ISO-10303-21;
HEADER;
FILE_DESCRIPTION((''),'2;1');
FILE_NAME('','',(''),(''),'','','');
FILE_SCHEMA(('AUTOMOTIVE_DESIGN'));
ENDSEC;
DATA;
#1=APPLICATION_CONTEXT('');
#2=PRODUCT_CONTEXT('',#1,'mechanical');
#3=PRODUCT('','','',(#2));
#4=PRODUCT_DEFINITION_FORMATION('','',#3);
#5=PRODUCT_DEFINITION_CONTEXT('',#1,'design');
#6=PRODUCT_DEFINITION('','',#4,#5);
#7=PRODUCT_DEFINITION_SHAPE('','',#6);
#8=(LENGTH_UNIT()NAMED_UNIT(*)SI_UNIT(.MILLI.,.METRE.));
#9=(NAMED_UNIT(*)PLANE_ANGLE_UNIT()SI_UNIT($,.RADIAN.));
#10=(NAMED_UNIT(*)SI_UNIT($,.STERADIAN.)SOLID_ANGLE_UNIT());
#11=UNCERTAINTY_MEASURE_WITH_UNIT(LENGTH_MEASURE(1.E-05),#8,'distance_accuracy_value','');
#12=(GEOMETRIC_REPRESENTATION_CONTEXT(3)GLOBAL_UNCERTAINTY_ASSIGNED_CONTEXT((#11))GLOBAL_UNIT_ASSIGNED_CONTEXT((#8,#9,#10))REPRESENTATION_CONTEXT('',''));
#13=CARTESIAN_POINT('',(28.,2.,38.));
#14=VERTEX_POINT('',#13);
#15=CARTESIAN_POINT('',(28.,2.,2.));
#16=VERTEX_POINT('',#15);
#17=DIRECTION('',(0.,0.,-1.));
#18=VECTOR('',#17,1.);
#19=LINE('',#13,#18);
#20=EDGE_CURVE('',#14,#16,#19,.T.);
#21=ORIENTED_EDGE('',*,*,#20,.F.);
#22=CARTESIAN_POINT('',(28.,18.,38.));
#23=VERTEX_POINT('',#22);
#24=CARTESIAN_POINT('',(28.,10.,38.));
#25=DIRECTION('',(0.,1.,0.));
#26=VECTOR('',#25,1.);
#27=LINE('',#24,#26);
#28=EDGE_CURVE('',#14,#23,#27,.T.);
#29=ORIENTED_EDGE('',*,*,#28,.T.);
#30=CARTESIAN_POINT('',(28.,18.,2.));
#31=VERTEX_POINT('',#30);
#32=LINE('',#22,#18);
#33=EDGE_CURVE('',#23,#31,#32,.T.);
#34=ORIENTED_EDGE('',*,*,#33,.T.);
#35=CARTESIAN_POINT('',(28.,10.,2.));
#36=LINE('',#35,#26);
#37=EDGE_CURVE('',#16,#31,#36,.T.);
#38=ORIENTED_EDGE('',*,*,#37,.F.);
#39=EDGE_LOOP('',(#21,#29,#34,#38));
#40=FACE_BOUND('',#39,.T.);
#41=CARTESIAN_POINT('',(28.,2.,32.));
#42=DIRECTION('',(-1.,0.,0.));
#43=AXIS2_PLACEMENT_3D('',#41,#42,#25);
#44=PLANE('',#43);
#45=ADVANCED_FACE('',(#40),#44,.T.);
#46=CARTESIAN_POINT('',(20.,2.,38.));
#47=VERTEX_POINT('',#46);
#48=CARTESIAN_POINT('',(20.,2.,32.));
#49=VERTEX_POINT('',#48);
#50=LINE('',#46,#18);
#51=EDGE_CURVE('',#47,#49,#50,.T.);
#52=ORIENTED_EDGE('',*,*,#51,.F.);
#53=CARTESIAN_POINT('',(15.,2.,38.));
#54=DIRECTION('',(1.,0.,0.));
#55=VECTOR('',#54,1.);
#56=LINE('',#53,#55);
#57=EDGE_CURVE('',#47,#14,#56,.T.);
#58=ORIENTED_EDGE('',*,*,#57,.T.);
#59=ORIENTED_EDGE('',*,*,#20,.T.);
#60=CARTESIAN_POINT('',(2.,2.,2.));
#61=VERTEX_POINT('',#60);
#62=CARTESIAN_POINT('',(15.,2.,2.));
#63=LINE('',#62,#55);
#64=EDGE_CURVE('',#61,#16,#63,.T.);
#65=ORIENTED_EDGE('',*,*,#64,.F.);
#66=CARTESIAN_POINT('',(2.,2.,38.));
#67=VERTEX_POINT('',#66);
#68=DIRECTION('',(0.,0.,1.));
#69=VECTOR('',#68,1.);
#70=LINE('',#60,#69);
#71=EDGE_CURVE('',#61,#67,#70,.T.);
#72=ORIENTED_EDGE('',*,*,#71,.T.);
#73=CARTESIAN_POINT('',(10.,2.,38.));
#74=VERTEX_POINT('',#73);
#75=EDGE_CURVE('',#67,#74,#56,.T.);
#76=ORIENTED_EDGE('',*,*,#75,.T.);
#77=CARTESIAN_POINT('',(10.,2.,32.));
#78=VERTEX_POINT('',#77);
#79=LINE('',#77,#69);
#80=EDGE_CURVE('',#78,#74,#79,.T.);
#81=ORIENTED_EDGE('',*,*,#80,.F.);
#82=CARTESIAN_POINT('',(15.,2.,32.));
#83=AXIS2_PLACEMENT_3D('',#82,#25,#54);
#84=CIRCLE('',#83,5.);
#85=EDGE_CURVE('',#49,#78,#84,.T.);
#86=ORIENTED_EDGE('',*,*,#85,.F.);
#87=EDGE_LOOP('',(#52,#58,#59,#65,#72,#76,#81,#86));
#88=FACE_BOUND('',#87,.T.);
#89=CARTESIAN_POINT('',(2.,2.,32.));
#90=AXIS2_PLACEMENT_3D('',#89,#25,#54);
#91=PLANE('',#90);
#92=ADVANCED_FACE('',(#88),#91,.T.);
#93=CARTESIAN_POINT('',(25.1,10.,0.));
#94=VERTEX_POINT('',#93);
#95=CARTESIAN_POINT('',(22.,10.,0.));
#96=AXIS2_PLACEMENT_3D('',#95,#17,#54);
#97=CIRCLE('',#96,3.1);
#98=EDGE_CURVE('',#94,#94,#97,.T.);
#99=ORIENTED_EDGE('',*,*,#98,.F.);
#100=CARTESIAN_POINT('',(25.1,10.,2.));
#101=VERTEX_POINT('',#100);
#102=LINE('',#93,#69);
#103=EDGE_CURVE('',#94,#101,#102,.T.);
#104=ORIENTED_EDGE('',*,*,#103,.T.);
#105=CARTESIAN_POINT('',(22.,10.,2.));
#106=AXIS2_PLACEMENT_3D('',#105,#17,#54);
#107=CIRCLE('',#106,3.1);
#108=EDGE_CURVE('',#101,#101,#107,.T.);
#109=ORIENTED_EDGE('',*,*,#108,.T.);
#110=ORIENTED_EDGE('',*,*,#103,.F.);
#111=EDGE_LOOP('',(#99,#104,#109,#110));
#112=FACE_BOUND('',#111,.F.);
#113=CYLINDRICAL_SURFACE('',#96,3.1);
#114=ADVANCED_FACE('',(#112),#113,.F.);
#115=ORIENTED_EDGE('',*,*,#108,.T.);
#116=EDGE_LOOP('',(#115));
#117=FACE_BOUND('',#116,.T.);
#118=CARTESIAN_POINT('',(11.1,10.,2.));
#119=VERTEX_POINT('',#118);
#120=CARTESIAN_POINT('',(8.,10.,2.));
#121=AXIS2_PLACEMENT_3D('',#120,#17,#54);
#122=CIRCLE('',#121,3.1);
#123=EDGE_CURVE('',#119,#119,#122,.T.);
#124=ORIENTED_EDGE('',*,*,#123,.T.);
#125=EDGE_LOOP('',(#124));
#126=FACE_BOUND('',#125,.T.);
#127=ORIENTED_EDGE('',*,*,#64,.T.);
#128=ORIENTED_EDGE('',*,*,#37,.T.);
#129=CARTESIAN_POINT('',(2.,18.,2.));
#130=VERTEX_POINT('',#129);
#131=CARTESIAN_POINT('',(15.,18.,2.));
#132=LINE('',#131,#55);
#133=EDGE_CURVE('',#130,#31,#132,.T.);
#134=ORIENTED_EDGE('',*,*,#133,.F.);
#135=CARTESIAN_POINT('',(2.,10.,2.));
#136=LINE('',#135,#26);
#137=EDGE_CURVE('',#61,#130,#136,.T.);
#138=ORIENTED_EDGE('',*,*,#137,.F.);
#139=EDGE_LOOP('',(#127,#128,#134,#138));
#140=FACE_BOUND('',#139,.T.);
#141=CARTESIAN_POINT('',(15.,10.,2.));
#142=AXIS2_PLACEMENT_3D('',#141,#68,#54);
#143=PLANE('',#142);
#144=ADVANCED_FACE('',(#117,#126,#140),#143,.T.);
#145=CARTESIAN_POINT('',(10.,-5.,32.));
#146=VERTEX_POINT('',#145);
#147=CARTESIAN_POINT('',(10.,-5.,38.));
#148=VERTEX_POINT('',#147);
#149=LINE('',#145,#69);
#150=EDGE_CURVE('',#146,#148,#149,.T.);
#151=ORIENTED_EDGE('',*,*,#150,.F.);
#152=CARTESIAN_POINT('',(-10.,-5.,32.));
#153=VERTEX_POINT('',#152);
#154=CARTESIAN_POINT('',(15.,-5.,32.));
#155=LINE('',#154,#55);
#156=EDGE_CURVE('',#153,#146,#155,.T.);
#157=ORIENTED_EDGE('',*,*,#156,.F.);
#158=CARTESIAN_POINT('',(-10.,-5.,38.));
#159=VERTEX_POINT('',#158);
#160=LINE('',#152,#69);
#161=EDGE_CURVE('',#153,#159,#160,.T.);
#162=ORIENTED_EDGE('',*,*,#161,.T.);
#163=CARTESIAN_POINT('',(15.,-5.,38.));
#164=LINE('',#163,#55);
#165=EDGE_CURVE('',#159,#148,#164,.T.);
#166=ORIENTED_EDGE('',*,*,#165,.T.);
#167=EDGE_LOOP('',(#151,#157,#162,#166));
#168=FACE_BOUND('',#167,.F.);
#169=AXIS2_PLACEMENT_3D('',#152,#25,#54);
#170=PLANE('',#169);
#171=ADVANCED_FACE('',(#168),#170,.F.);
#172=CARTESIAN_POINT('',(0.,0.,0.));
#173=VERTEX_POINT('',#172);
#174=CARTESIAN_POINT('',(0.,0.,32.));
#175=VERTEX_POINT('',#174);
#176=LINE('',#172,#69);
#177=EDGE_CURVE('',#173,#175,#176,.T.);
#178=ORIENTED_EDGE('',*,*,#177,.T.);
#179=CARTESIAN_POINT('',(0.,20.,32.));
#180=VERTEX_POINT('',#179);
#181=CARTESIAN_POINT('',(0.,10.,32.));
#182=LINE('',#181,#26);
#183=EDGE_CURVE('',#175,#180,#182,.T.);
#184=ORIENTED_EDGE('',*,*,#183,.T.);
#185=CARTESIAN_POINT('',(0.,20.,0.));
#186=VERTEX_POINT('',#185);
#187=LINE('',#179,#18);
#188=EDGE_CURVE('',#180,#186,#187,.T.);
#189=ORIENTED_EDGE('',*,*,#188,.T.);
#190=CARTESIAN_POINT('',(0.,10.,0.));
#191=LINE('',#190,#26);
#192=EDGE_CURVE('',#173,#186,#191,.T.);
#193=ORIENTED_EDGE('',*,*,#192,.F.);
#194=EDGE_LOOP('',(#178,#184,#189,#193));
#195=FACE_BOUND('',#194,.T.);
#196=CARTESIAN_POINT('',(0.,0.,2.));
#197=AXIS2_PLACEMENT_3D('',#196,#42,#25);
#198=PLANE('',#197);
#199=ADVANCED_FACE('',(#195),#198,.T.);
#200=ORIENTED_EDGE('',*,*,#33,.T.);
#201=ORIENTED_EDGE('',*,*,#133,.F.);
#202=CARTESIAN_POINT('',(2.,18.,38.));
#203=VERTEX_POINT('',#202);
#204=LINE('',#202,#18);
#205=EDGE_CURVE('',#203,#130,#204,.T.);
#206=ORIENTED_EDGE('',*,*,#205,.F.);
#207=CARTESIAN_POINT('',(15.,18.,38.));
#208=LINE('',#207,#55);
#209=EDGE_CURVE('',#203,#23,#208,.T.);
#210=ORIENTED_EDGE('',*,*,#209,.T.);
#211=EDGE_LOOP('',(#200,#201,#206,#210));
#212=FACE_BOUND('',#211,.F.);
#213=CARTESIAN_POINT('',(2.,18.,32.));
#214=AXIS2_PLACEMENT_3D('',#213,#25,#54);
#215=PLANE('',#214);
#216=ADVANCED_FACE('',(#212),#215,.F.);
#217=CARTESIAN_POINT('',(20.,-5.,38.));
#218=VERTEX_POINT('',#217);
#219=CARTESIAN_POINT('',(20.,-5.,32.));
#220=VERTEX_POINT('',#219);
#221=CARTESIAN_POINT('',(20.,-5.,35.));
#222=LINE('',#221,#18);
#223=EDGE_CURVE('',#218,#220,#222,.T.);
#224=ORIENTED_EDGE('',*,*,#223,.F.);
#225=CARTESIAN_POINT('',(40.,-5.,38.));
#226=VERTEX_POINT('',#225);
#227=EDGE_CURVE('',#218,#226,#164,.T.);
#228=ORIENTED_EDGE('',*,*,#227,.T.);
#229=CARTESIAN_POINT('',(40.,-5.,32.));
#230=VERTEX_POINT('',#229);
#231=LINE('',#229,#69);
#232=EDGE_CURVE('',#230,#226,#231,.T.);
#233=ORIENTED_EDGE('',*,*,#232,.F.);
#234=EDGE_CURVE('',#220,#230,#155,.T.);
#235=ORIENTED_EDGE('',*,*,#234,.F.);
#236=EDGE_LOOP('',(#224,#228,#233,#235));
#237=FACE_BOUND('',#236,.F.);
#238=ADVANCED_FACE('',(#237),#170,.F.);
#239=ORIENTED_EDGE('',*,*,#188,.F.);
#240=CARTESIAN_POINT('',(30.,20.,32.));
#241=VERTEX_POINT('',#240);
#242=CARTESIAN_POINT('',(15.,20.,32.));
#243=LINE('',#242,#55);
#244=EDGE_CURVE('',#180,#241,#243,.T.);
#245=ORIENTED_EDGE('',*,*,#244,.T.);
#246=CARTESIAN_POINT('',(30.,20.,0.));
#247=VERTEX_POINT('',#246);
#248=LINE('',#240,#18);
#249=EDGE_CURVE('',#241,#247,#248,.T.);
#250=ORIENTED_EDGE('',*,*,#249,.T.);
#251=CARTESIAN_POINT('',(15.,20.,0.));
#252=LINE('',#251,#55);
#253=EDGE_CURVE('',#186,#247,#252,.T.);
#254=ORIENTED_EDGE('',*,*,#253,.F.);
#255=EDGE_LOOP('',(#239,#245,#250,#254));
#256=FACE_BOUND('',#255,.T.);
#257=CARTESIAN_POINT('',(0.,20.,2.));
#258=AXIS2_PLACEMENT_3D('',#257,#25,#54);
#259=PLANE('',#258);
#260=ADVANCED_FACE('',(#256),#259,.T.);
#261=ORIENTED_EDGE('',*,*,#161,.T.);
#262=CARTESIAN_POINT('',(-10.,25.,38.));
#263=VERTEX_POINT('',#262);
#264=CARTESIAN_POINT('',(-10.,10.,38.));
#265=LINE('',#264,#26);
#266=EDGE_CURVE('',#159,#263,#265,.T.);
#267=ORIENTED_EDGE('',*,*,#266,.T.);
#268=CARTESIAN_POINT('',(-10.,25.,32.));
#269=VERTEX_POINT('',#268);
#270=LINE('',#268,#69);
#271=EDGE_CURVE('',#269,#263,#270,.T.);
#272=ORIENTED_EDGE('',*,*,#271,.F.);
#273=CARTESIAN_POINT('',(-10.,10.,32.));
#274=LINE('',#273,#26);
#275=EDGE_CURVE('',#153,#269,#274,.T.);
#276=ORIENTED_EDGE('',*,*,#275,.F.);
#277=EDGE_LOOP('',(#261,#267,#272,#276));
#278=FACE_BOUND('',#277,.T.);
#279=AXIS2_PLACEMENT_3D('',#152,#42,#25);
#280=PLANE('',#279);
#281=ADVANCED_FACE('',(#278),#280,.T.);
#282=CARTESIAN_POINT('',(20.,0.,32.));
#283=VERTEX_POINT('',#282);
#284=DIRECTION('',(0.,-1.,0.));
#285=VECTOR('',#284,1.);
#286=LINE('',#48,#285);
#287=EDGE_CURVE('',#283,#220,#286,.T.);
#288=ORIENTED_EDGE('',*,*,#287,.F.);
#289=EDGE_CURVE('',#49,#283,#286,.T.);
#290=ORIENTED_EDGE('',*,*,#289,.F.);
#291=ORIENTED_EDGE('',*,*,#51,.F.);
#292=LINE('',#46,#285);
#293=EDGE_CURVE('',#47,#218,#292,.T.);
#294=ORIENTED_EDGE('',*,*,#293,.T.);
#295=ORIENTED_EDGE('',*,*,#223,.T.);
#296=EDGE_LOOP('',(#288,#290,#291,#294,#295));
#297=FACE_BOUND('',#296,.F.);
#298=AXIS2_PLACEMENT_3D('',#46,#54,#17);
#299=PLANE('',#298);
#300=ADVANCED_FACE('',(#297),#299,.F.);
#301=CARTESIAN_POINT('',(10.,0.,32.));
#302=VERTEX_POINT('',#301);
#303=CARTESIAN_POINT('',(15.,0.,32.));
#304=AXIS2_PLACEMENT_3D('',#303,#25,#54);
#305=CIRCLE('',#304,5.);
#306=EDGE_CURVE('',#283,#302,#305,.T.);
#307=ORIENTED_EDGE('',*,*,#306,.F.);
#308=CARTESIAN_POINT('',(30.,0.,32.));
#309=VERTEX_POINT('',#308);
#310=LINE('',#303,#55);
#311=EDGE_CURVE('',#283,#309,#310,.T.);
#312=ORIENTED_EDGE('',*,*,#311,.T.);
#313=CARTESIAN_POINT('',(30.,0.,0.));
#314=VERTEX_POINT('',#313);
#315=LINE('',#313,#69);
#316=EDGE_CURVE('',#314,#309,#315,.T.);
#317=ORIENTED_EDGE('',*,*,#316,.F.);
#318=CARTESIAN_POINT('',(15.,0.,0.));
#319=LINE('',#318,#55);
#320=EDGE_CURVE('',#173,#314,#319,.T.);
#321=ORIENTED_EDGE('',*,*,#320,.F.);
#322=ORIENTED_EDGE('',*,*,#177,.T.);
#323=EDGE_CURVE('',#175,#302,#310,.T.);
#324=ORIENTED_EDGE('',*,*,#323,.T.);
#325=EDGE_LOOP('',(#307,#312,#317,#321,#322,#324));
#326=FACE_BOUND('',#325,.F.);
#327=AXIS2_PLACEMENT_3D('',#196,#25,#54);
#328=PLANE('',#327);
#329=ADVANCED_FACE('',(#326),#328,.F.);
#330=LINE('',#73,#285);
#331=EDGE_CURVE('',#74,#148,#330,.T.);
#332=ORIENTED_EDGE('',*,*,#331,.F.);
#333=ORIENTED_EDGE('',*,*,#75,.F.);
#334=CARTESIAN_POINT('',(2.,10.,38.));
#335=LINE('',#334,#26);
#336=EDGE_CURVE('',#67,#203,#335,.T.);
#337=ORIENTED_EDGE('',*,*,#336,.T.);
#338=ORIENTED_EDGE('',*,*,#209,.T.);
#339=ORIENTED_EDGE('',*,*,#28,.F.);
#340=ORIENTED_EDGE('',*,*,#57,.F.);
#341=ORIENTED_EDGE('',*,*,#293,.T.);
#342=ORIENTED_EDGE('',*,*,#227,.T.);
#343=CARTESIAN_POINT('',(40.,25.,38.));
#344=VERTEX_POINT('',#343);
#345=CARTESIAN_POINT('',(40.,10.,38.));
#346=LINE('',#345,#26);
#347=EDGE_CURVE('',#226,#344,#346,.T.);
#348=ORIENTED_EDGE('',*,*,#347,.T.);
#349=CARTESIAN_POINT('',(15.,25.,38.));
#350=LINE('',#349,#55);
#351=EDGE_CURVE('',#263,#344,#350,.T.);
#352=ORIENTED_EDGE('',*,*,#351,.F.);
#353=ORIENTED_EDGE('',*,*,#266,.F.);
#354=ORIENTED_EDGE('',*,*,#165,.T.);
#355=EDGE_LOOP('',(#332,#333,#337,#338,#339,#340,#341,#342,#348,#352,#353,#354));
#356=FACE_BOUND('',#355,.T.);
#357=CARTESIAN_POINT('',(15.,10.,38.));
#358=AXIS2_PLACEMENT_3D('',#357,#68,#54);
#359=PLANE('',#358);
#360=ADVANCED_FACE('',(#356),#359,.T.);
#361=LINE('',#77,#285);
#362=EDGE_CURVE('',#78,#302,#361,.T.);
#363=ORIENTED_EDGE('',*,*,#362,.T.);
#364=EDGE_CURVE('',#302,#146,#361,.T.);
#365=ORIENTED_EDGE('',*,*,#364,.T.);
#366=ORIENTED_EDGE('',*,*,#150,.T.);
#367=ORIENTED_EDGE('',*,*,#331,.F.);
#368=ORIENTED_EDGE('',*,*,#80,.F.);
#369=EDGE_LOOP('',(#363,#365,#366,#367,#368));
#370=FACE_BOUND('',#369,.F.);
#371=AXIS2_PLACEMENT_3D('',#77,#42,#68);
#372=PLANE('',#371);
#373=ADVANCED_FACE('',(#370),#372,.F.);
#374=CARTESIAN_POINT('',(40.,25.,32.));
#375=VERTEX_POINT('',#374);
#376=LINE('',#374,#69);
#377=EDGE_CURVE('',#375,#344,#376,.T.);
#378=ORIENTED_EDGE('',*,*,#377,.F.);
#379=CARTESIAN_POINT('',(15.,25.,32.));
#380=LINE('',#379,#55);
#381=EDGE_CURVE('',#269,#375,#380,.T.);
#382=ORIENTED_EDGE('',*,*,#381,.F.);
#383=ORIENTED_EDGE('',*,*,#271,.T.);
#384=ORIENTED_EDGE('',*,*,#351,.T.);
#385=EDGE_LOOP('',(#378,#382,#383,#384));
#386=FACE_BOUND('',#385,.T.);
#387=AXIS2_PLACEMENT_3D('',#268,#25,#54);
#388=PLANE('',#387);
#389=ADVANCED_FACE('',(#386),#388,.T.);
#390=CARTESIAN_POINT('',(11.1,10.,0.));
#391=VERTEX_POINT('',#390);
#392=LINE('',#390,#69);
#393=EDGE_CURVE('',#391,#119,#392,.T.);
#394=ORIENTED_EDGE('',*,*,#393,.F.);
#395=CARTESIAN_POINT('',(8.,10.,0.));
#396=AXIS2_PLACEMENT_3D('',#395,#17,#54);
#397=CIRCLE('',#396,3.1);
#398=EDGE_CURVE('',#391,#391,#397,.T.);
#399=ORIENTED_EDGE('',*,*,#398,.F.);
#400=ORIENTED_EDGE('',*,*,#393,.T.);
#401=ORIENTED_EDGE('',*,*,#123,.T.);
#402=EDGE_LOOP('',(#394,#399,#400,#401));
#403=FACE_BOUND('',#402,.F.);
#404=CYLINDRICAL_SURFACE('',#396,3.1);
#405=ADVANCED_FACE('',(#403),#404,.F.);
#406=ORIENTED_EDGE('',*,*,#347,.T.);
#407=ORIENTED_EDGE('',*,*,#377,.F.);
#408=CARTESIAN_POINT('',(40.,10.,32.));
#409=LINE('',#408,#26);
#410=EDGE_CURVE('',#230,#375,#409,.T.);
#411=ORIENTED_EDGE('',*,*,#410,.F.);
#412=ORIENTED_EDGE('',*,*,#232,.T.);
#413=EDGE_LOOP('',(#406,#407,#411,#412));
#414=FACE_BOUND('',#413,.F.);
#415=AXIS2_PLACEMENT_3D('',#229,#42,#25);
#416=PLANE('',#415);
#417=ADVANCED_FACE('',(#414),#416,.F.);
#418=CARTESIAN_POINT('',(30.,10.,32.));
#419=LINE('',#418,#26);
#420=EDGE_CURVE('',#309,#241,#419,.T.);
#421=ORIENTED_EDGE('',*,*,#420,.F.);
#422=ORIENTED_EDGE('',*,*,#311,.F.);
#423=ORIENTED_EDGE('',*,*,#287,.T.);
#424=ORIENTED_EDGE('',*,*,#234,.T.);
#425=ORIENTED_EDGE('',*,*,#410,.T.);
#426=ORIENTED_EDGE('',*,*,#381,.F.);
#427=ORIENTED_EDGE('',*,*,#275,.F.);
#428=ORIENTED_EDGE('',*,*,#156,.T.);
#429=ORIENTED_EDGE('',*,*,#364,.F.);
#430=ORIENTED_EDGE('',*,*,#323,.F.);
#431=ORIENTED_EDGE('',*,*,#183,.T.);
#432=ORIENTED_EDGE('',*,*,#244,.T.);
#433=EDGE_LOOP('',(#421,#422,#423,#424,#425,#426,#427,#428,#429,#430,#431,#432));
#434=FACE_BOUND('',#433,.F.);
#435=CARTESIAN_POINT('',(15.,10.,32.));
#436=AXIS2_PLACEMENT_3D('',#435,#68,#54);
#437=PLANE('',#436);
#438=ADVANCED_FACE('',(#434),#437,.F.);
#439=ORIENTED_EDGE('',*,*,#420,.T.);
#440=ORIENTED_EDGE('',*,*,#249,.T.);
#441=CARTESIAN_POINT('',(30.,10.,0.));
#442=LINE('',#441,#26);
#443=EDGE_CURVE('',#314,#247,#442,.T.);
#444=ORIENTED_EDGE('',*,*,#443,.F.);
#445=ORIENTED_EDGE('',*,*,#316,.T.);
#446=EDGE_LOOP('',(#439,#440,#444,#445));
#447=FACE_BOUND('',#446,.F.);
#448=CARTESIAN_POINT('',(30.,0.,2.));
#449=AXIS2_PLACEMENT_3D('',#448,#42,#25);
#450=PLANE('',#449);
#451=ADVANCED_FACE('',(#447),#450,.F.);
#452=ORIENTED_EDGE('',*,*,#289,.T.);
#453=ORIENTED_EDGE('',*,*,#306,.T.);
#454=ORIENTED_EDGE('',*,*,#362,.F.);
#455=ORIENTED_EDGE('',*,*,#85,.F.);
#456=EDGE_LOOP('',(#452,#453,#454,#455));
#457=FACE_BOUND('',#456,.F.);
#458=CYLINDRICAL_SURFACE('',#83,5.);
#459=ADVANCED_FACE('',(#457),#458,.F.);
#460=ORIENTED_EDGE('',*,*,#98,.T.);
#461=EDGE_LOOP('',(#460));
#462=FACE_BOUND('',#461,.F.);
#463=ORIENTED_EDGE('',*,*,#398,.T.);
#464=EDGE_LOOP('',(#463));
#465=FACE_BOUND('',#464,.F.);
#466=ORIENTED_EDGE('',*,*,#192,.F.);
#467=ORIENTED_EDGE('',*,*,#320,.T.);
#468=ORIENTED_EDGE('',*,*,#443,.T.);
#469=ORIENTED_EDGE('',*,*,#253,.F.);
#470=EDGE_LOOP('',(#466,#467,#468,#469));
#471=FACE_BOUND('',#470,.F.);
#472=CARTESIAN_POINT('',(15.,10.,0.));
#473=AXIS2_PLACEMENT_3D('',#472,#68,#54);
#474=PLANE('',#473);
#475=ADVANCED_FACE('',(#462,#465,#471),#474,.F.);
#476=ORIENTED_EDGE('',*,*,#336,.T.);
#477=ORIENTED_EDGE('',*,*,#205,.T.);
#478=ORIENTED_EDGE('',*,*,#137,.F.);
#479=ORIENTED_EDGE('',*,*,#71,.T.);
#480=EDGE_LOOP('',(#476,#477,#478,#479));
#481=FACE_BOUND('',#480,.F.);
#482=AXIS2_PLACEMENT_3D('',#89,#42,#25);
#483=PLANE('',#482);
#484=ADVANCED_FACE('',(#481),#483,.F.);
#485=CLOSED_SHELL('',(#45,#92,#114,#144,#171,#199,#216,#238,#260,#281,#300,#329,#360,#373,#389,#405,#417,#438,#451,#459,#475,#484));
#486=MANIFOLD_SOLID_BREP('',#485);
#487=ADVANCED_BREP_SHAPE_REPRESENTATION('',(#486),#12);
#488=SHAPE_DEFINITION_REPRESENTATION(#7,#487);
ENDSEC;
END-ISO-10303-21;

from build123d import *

# Parameters (mm, degrees)
F0_W     = 30
F0_H     = 20
F1_DEPTH = 2
F2_W     = 30
F2_H     = 20
F2_W_2   = 26
F2_H_2   = 16
F3_DEPTH = 30
F4_R     = 3.1
F5_DEPTH = 25
F6_W     = 50
F6_H     = 30
F6_W_2   = 26
F6_H_2   = 16
F7_DEPTH = 6
F9_DEPTH = 25


with BuildPart() as f1:
    # F0 (on Top) → F1 (new body)
    with BuildSketch(Plane.XY):
        with Locations((15, 10)):
            Rectangle(F0_W, F0_H)
    extrude(amount=F1_DEPTH)

    # F2 (on face) → F3 (join)
    with BuildSketch(Plane.XY.offset(2)):
        with Locations((15, 10)):
            Rectangle(F2_W, F2_H)
        with Locations((15, 10)):
            Rectangle(F2_W_2, F2_H_2, mode=Mode.SUBTRACT)
    extrude(amount=F3_DEPTH)

    # F4 (on face) → F5 (cut)
    with BuildSketch(Plane(origin=(0, 0, 0), x_dir=(1, 0, 0), z_dir=(0, 0, -1))):
        with Locations((8, -10)):
            Circle(F4_R)
        with Locations((22, -10)):
            Circle(F4_R)
    extrude(amount=-F5_DEPTH, mode=Mode.SUBTRACT)

    # F6 (on face) → F7 (join)
    with BuildSketch(Plane.XY.offset(32)):
        with Locations((15, 10)):
            Rectangle(F6_W, F6_H)
        with Locations((15, 10)):
            Rectangle(F6_W_2, F6_H_2, mode=Mode.SUBTRACT)
    extrude(amount=F7_DEPTH)

    # F8 (on face) → F9 (cut)
    with BuildSketch(Plane(origin=(0, 2, 0), x_dir=(-1, 0, 0), z_dir=(0, 1, 0))):
        with BuildLine():
            Line((-20, 38), (-20, 32))
            ThreePointArc((-20, 32), (-15, 27), (-10, 32))
            Line((-10, 32), (-10, 38))
            Line((-10, 38), (-20, 38))
        make_face()
    extrude(amount=-F9_DEPTH, mode=Mode.SUBTRACT)


solid = f1.part
